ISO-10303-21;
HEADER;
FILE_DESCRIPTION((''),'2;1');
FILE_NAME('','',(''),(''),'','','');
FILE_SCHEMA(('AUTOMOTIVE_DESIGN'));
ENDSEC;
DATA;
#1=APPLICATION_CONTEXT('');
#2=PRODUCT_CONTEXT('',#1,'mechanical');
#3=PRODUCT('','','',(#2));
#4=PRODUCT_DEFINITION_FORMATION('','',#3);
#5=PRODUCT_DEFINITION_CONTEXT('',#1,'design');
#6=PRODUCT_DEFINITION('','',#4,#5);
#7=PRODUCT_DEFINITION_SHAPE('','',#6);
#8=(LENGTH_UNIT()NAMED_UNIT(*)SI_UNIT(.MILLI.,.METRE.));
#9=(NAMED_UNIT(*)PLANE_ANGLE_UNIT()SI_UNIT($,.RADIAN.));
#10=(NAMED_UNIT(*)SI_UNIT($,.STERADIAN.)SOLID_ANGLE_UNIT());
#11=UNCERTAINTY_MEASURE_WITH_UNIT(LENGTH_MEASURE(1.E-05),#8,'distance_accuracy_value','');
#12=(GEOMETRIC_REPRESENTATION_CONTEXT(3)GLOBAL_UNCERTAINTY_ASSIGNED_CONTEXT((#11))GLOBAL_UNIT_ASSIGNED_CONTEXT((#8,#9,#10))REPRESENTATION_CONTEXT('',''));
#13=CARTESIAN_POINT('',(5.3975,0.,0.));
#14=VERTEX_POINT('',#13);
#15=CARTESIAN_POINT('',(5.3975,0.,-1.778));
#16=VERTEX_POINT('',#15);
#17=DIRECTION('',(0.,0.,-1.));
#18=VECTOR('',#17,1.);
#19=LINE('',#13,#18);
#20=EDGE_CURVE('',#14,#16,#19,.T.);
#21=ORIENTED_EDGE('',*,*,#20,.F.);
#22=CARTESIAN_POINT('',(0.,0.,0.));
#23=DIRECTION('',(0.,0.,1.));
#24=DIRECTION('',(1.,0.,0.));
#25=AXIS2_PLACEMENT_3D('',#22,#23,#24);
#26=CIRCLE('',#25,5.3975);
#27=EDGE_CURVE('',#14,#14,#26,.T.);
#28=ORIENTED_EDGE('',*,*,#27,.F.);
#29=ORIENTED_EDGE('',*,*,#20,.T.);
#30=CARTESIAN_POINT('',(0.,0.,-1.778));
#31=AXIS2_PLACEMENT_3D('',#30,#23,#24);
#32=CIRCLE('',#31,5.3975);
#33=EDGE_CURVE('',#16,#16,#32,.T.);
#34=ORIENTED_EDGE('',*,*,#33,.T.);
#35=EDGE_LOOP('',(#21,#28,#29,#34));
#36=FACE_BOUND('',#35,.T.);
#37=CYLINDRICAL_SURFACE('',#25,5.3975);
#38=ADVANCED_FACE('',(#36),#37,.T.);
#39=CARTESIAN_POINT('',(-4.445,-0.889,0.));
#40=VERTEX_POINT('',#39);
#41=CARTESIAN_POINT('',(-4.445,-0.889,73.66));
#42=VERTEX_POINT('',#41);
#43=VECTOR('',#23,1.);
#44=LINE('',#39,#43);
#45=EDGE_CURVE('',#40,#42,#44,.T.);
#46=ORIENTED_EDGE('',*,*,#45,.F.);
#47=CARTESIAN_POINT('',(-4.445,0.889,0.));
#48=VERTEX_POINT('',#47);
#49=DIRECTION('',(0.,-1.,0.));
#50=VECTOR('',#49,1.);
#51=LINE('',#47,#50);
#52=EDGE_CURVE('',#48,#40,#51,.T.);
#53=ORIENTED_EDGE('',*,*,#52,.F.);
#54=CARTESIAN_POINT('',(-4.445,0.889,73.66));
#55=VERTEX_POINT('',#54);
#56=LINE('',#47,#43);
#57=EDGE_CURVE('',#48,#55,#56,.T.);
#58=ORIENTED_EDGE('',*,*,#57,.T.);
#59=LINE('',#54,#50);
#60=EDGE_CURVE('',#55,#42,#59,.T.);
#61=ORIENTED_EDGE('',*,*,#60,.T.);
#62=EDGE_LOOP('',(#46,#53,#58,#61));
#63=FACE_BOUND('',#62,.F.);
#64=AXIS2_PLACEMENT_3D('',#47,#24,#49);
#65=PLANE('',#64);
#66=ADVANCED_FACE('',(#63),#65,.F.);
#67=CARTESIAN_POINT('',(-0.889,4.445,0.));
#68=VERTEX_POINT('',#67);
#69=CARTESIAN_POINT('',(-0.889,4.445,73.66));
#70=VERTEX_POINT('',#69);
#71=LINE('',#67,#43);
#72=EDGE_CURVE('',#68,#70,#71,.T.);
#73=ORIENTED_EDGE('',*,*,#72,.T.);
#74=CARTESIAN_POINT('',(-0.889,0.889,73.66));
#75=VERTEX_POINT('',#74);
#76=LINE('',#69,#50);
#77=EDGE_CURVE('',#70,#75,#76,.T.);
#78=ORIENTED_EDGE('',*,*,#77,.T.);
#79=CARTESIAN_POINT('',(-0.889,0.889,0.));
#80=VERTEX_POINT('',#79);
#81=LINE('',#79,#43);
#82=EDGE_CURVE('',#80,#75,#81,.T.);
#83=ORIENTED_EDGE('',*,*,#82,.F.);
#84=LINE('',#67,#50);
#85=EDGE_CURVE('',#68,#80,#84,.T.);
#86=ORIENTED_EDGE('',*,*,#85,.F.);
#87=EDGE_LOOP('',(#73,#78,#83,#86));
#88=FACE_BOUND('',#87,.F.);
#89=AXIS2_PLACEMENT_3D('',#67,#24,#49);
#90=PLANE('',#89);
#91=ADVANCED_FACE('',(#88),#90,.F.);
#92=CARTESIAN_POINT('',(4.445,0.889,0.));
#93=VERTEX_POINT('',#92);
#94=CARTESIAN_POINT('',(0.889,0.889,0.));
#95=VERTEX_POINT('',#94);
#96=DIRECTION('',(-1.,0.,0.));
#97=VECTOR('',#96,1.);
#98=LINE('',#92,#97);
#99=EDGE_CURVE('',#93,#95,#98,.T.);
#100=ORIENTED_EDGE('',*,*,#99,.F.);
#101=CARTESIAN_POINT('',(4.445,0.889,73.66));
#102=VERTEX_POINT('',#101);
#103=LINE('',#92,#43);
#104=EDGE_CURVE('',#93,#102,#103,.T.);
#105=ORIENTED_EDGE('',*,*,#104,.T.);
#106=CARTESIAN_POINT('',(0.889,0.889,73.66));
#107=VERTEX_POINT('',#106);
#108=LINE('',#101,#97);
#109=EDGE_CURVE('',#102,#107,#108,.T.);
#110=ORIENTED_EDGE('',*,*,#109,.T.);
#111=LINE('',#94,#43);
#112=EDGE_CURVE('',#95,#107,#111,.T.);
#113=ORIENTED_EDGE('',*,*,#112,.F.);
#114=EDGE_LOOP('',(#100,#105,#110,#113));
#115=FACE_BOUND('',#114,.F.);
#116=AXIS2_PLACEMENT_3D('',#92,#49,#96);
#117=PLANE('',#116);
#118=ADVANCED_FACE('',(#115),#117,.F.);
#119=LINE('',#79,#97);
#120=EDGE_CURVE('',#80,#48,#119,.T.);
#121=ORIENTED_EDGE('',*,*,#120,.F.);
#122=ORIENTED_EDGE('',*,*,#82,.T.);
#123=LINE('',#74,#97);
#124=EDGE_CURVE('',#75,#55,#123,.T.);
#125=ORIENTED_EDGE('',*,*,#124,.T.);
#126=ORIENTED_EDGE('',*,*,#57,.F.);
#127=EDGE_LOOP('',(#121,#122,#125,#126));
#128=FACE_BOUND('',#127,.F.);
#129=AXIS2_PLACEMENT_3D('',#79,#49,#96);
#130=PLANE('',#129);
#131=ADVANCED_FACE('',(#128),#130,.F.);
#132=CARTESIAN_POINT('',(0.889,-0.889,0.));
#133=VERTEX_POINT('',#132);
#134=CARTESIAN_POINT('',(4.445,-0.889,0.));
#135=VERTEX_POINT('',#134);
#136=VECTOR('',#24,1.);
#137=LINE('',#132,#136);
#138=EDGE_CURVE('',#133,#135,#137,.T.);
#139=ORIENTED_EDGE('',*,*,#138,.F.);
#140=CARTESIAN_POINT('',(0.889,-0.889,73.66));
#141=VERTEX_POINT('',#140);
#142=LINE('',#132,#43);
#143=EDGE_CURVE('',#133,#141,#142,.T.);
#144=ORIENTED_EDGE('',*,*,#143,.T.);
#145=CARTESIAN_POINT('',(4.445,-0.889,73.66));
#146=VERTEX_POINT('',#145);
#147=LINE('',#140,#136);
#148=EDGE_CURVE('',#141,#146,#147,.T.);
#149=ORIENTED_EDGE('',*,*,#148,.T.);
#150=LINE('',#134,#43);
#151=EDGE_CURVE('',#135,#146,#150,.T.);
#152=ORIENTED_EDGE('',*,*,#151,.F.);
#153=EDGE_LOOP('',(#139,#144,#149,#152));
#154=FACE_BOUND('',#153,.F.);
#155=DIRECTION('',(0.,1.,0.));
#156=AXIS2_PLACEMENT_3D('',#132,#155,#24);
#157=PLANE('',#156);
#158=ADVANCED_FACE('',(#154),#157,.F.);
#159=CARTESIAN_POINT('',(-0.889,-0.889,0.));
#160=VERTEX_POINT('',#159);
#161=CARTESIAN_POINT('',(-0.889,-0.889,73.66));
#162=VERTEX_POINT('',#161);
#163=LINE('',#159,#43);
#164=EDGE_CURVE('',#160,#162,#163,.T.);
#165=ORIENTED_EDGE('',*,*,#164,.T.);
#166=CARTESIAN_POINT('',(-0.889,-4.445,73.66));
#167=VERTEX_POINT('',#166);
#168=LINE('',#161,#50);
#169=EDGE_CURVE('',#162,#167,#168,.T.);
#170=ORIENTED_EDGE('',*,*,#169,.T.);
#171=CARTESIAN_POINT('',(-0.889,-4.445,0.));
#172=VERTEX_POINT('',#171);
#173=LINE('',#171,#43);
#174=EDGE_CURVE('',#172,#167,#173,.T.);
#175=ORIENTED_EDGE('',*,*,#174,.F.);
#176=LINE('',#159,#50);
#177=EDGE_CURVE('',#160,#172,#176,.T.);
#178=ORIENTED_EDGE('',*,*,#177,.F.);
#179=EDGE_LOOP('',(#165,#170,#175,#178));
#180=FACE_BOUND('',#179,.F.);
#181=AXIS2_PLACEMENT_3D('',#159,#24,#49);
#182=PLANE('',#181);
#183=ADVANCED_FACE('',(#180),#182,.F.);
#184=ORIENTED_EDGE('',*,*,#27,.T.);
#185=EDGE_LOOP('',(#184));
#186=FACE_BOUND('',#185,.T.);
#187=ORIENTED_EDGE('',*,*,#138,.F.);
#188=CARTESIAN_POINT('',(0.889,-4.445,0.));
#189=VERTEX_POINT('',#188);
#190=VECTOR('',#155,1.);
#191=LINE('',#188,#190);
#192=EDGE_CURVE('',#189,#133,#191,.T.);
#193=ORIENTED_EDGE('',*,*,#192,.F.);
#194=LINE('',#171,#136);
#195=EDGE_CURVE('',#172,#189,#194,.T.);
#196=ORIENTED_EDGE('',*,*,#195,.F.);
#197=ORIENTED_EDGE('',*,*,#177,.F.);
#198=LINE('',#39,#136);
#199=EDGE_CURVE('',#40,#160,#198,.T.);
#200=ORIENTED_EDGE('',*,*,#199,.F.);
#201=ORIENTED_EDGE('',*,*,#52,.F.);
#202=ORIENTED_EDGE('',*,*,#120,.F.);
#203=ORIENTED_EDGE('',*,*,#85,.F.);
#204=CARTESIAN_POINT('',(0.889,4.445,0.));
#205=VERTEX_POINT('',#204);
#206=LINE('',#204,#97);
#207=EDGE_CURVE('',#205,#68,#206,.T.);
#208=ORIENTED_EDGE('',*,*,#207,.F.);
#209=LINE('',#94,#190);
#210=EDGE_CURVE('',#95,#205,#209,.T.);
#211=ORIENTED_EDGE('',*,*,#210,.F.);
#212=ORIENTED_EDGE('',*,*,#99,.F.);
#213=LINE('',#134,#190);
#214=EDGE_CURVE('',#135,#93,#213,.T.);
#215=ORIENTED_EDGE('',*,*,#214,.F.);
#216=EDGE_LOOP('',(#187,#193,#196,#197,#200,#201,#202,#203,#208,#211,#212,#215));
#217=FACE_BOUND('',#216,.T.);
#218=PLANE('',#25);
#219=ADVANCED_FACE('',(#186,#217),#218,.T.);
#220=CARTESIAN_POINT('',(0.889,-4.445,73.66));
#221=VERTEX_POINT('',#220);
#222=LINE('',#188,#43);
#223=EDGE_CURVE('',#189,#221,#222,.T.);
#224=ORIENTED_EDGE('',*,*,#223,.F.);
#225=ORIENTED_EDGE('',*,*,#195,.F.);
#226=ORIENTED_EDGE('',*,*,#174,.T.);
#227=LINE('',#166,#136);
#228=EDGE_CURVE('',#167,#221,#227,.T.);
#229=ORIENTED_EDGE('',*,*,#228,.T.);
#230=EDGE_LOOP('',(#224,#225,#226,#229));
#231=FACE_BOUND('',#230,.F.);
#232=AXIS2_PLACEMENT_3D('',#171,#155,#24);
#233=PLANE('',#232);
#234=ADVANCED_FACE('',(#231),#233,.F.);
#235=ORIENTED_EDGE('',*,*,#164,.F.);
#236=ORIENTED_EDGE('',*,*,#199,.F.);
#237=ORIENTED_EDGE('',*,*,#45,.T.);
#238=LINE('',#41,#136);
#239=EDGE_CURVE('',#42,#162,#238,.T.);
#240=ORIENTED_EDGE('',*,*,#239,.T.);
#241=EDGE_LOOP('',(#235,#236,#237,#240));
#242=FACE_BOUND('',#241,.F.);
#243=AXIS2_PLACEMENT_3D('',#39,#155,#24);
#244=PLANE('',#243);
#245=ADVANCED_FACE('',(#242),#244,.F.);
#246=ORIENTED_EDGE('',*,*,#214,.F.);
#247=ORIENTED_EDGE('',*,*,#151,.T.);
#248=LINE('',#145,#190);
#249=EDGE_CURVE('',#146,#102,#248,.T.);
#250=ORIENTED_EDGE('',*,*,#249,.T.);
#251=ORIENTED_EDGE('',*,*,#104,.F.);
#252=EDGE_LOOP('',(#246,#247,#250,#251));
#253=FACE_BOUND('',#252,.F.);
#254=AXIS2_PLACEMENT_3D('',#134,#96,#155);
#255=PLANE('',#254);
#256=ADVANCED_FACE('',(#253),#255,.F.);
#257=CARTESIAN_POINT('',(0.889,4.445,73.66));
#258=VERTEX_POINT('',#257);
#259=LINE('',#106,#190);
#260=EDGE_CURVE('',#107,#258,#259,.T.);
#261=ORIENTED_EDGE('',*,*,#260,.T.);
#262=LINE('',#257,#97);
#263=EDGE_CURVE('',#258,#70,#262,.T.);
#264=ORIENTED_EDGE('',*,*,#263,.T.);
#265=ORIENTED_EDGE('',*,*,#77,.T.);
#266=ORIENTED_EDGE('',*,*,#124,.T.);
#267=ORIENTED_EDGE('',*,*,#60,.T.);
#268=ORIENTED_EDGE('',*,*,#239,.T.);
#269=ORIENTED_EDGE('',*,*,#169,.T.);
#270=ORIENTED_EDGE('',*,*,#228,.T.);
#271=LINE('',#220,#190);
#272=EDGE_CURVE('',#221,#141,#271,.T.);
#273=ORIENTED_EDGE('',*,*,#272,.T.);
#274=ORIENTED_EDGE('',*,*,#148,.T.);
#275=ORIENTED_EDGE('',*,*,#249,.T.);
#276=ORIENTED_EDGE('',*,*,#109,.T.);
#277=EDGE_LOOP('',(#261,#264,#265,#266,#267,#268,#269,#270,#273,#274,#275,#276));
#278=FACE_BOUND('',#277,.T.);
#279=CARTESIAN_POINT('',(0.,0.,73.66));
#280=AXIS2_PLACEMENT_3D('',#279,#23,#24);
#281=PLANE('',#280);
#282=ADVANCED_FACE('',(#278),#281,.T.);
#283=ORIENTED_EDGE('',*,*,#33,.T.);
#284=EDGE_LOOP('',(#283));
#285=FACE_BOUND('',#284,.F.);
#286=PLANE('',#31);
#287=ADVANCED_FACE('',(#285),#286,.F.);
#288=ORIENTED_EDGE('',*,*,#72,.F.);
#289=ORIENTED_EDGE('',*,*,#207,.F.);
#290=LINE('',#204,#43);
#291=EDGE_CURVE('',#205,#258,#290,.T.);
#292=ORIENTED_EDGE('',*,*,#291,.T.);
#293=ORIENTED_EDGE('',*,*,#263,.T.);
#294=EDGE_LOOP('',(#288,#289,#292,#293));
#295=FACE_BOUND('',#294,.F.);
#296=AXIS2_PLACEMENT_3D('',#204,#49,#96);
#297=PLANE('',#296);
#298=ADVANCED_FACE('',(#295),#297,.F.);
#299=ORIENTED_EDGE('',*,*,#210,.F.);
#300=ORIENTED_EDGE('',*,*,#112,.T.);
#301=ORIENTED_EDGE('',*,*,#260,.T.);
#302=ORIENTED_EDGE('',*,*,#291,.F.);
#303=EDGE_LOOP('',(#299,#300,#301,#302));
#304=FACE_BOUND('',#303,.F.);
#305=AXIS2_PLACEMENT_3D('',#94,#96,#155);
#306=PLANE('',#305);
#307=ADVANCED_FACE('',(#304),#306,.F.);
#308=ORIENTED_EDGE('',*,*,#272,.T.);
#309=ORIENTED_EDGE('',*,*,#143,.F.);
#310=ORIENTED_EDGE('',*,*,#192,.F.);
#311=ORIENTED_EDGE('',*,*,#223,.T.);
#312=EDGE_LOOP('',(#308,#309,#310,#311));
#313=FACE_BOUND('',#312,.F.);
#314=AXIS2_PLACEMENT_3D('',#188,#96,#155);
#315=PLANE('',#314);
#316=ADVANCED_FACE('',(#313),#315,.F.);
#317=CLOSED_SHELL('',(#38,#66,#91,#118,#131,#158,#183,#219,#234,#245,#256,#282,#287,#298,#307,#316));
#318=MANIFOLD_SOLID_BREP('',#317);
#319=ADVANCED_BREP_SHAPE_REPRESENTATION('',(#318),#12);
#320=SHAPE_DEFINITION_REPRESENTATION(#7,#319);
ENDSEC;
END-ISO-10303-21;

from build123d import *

# Parameters (mm, degrees)
F1_DEPTH = 73.66
F2_R     = 5.3975
F3_DEPTH = 1.778


with BuildPart() as f1:
    # F0 (on Top) → F1 (new body)
    with BuildSketch(Plane.XY):
        Polygon((0.889, 4.445), (-0.889, 4.445), (-0.889, 0.889), (-4.445, 0.889), (-4.445, -0.889), (-0.889, -0.889), (-0.889, -4.445), (0.889, -4.445), (0.889, -0.889), (4.445, -0.889), (4.445, 0.889), (0.889, 0.889), align=None)
    extrude(amount=F1_DEPTH)

    # F2 (on Top) → F3 (join)
    with BuildSketch(Plane.XY):
        Circle(F2_R)
    extrude(amount=-F3_DEPTH)


solid = f1.part
